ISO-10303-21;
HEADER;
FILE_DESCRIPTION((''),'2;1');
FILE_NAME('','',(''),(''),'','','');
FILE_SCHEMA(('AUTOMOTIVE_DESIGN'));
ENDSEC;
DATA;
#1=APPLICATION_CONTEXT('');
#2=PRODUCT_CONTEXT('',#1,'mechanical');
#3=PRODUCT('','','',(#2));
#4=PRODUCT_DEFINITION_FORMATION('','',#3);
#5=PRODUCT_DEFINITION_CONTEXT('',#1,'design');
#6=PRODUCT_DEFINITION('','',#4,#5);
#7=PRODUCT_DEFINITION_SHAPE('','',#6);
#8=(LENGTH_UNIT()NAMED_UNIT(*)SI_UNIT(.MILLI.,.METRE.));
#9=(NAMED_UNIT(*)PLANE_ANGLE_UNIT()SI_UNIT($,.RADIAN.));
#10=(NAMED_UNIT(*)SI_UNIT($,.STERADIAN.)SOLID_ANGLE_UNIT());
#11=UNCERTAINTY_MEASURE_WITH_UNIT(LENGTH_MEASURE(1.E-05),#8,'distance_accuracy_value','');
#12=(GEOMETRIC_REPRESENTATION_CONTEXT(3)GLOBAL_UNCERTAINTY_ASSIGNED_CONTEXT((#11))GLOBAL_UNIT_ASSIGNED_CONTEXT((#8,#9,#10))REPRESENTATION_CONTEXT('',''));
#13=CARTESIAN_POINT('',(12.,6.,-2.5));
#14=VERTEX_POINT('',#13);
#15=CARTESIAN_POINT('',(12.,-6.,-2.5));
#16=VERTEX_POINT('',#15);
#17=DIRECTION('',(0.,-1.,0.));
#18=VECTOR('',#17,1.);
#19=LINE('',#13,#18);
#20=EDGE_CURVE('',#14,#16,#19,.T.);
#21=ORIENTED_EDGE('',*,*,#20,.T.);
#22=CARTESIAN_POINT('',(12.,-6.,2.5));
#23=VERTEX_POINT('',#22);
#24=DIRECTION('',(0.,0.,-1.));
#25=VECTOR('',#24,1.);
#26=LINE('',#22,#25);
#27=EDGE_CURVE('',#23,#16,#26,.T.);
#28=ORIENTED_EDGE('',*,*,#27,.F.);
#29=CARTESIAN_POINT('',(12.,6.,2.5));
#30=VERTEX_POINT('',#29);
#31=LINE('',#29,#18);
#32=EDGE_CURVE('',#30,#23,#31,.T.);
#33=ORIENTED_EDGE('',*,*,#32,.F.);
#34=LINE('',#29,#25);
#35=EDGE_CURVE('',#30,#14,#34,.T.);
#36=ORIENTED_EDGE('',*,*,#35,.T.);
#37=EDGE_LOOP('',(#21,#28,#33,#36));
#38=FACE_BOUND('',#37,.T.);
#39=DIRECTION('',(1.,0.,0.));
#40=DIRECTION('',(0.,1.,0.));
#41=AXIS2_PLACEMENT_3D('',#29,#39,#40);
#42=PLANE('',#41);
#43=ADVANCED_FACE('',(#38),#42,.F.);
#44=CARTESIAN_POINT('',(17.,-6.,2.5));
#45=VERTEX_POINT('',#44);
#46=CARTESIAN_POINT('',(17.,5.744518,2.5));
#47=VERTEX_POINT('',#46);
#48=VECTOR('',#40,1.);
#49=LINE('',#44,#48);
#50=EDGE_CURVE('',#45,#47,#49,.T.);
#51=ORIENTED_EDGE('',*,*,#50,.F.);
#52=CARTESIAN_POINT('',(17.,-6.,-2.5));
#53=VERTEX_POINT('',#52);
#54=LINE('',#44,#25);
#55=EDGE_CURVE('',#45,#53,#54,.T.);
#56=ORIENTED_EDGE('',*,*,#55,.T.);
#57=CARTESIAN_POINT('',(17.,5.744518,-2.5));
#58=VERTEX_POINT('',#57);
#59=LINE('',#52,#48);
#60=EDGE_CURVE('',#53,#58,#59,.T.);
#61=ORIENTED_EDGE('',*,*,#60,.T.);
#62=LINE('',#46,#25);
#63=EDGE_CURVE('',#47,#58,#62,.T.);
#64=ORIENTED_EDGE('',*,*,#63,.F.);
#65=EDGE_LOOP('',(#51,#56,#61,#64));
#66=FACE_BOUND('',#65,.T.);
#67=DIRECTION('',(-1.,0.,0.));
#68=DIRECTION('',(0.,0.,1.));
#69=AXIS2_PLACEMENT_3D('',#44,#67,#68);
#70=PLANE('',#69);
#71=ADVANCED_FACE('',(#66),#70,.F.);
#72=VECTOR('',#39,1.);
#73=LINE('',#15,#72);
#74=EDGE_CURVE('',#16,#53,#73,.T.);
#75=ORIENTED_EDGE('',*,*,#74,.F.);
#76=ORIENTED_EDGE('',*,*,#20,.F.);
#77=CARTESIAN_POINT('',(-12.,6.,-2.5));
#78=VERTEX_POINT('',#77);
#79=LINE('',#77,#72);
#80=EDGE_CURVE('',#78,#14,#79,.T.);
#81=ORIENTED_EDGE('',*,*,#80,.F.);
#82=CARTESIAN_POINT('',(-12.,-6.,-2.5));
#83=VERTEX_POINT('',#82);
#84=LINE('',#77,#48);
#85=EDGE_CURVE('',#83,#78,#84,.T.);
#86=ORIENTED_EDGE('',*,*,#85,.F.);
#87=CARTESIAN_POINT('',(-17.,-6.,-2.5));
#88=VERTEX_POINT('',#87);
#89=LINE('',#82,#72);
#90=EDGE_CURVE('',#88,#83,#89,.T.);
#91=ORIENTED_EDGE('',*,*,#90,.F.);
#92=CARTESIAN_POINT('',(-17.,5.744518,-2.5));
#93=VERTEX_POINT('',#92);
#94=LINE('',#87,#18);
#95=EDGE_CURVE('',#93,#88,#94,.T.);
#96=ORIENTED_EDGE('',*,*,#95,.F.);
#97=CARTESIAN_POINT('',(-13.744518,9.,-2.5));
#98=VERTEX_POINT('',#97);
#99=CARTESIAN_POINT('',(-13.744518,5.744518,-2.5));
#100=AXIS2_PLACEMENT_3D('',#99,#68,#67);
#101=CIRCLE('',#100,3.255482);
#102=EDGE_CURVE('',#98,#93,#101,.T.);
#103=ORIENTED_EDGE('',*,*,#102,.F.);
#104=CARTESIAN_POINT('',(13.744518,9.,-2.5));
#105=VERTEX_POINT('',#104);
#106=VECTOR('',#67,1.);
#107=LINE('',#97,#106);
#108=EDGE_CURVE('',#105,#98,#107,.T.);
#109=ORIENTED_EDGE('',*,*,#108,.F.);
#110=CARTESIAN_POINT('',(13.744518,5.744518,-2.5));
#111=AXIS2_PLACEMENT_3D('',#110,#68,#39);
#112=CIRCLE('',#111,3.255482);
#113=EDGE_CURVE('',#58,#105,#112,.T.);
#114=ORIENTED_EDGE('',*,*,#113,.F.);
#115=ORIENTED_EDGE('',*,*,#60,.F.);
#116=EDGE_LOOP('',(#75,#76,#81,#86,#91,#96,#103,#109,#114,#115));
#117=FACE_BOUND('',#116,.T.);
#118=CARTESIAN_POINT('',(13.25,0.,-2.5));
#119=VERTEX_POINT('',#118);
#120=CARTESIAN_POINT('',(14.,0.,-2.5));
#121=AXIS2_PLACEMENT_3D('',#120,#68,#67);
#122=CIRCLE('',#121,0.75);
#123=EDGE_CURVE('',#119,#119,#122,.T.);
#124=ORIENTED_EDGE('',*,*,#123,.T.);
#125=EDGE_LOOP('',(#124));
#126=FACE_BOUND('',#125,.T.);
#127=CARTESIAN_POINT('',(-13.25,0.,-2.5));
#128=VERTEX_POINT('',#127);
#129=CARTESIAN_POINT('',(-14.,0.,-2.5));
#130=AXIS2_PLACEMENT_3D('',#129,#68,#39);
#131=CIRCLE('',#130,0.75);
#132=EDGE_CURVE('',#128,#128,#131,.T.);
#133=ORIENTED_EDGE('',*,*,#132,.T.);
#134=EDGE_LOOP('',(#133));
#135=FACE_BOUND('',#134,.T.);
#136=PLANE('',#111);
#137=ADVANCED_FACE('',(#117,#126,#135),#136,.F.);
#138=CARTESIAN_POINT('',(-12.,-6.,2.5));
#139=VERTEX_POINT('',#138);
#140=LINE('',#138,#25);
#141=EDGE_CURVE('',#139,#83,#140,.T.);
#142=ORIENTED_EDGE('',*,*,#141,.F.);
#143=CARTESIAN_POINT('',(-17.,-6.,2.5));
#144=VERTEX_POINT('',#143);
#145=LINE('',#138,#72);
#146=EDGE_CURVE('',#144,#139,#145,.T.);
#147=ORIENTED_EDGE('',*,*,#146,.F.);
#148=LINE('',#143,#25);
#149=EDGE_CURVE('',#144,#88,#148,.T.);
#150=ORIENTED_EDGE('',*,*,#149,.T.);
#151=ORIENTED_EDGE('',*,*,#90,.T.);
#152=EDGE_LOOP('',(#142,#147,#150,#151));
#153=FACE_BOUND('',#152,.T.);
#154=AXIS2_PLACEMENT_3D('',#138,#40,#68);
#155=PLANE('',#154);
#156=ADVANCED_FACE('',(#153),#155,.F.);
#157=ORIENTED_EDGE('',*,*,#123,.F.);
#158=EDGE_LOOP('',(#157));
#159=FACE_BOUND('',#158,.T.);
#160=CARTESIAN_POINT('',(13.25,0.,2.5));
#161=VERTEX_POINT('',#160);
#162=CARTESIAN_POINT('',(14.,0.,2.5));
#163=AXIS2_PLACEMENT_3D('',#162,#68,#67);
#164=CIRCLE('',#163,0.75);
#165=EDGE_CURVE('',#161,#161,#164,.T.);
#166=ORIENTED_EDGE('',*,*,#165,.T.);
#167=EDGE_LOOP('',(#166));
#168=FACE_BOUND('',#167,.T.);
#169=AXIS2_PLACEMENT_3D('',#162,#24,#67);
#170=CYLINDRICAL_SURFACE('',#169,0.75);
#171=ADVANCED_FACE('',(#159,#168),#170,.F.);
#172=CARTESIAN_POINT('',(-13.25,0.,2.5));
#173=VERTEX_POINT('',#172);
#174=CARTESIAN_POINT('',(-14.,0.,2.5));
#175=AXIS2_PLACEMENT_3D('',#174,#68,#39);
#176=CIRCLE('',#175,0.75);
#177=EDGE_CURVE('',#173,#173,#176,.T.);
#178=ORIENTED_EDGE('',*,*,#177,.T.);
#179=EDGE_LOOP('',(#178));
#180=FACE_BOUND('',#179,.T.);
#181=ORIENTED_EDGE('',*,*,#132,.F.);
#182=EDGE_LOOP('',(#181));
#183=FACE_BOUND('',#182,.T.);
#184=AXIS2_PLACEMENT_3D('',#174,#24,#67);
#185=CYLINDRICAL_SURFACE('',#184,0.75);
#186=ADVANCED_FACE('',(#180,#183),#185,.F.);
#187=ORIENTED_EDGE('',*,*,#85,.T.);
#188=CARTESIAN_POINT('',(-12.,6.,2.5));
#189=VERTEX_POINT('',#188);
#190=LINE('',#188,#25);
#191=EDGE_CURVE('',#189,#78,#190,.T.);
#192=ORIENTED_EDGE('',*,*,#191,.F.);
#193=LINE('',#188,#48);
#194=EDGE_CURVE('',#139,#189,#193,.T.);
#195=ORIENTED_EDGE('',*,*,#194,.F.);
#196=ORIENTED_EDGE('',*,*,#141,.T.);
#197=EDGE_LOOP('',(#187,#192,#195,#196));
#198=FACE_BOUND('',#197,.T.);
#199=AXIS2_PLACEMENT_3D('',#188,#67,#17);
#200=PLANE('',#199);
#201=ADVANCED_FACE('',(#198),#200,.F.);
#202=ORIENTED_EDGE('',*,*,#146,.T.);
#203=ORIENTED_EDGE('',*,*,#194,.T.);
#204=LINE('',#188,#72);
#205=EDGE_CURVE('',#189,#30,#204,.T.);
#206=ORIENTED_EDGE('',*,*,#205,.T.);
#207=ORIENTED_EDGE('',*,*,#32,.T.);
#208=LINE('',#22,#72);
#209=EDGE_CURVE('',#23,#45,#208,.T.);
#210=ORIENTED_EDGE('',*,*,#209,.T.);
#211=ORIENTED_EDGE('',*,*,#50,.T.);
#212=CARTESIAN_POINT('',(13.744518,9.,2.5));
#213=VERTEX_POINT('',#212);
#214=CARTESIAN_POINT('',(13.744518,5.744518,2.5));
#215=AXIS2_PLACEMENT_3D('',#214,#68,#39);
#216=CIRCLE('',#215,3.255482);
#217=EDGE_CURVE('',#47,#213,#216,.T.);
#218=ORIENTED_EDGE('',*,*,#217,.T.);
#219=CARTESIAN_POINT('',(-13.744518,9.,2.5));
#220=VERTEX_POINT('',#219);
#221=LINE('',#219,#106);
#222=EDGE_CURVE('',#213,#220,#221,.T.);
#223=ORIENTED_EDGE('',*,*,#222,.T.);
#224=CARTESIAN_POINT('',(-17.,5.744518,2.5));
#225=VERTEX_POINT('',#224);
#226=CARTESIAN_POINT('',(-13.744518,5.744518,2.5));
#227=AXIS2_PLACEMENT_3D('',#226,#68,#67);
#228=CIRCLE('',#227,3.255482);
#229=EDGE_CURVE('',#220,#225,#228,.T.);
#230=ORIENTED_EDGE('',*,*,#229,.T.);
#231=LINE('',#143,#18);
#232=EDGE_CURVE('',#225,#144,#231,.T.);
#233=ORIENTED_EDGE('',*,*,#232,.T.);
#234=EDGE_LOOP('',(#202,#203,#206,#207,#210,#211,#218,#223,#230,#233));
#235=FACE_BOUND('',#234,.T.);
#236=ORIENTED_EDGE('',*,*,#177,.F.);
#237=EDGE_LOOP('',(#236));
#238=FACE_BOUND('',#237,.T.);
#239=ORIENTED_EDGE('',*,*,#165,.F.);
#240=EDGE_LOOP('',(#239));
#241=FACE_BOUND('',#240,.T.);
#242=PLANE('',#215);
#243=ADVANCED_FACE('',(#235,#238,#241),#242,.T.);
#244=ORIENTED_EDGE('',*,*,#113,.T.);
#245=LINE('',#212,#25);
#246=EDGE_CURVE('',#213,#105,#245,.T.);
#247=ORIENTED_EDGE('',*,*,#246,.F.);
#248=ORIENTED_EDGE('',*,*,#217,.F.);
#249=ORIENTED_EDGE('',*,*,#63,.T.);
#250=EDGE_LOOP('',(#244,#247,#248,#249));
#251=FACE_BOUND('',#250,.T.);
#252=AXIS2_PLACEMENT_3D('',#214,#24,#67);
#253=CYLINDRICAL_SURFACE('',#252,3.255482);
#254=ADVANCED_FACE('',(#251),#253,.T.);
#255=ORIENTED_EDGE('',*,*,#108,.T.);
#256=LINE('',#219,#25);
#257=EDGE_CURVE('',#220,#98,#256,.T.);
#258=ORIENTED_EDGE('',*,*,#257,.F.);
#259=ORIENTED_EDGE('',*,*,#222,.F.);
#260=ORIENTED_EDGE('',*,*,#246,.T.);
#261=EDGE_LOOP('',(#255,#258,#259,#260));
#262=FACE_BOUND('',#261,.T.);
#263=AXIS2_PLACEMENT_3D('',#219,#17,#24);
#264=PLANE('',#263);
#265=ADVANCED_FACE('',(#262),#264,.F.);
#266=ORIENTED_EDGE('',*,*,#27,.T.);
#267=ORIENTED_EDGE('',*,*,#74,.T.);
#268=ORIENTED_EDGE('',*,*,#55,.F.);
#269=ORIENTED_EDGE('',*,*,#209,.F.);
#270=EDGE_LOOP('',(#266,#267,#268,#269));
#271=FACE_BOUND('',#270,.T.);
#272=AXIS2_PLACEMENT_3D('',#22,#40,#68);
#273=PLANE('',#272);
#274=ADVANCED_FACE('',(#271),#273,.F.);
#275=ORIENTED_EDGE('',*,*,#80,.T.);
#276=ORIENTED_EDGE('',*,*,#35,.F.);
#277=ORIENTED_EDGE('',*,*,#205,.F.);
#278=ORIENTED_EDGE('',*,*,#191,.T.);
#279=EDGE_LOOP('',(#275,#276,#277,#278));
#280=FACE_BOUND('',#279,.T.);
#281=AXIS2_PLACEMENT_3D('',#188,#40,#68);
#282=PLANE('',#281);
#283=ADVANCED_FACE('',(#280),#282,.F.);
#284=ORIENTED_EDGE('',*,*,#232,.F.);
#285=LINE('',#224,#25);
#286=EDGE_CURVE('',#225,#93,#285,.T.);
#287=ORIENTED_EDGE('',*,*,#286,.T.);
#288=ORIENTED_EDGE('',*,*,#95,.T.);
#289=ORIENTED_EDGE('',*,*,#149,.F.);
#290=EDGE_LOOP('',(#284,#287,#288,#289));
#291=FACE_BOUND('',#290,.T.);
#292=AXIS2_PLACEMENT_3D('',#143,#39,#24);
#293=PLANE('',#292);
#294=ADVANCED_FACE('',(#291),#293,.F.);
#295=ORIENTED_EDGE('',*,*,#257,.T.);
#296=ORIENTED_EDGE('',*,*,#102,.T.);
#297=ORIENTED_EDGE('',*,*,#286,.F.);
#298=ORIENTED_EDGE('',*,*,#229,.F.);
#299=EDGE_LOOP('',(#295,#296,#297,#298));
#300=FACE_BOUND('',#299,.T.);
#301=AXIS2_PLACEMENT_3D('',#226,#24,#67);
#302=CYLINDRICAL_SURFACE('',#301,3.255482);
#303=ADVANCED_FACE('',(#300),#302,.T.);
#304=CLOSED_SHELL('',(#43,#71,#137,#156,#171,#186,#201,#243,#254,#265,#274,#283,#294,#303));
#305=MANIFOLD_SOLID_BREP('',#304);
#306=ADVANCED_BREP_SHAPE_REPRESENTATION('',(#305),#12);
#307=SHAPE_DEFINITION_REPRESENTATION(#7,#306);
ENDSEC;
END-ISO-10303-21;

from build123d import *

# Parameters (mm, degrees)
CROQUIS1_R              = 0.75
SALIENTE_EXTRUIR1_DEPTH = 2.5


with BuildPart() as part:
    # Croquis1 → Saliente-Extruir1 (new, symmetric)
    with BuildSketch(Plane.XY):
        with BuildLine():
            Line((-12, 6), (12, 6))
            Line((12, 6), (12, -6))
            Line((12, -6), (17, -6))
            Line((17, -6), (17, 5.74451768))
            ThreePointArc((17, 5.74451768), (16.046491304, 8.046491304), (13.74451768, 9))
            Line((13.74451768, 9), (-13.74451768, 9))
            ThreePointArc((-13.74451768, 9), (-16.046491304, 8.046491304), (-17, 5.74451768))
            Line((-17, 5.74451768), (-17, -6))
            Line((-17, -6), (-12, -6))
            Line((-12, -6), (-12, 6))
        make_face()
        with Locations((-14, 0)):
            Circle(CROQUIS1_R, mode=Mode.SUBTRACT)
        with Locations(Location((14, 0, 0), (0, 0, 180))):
            Circle(CROQUIS1_R, mode=Mode.SUBTRACT)
    extrude(amount=SALIENTE_EXTRUIR1_DEPTH, both=True)


solid = part.part
